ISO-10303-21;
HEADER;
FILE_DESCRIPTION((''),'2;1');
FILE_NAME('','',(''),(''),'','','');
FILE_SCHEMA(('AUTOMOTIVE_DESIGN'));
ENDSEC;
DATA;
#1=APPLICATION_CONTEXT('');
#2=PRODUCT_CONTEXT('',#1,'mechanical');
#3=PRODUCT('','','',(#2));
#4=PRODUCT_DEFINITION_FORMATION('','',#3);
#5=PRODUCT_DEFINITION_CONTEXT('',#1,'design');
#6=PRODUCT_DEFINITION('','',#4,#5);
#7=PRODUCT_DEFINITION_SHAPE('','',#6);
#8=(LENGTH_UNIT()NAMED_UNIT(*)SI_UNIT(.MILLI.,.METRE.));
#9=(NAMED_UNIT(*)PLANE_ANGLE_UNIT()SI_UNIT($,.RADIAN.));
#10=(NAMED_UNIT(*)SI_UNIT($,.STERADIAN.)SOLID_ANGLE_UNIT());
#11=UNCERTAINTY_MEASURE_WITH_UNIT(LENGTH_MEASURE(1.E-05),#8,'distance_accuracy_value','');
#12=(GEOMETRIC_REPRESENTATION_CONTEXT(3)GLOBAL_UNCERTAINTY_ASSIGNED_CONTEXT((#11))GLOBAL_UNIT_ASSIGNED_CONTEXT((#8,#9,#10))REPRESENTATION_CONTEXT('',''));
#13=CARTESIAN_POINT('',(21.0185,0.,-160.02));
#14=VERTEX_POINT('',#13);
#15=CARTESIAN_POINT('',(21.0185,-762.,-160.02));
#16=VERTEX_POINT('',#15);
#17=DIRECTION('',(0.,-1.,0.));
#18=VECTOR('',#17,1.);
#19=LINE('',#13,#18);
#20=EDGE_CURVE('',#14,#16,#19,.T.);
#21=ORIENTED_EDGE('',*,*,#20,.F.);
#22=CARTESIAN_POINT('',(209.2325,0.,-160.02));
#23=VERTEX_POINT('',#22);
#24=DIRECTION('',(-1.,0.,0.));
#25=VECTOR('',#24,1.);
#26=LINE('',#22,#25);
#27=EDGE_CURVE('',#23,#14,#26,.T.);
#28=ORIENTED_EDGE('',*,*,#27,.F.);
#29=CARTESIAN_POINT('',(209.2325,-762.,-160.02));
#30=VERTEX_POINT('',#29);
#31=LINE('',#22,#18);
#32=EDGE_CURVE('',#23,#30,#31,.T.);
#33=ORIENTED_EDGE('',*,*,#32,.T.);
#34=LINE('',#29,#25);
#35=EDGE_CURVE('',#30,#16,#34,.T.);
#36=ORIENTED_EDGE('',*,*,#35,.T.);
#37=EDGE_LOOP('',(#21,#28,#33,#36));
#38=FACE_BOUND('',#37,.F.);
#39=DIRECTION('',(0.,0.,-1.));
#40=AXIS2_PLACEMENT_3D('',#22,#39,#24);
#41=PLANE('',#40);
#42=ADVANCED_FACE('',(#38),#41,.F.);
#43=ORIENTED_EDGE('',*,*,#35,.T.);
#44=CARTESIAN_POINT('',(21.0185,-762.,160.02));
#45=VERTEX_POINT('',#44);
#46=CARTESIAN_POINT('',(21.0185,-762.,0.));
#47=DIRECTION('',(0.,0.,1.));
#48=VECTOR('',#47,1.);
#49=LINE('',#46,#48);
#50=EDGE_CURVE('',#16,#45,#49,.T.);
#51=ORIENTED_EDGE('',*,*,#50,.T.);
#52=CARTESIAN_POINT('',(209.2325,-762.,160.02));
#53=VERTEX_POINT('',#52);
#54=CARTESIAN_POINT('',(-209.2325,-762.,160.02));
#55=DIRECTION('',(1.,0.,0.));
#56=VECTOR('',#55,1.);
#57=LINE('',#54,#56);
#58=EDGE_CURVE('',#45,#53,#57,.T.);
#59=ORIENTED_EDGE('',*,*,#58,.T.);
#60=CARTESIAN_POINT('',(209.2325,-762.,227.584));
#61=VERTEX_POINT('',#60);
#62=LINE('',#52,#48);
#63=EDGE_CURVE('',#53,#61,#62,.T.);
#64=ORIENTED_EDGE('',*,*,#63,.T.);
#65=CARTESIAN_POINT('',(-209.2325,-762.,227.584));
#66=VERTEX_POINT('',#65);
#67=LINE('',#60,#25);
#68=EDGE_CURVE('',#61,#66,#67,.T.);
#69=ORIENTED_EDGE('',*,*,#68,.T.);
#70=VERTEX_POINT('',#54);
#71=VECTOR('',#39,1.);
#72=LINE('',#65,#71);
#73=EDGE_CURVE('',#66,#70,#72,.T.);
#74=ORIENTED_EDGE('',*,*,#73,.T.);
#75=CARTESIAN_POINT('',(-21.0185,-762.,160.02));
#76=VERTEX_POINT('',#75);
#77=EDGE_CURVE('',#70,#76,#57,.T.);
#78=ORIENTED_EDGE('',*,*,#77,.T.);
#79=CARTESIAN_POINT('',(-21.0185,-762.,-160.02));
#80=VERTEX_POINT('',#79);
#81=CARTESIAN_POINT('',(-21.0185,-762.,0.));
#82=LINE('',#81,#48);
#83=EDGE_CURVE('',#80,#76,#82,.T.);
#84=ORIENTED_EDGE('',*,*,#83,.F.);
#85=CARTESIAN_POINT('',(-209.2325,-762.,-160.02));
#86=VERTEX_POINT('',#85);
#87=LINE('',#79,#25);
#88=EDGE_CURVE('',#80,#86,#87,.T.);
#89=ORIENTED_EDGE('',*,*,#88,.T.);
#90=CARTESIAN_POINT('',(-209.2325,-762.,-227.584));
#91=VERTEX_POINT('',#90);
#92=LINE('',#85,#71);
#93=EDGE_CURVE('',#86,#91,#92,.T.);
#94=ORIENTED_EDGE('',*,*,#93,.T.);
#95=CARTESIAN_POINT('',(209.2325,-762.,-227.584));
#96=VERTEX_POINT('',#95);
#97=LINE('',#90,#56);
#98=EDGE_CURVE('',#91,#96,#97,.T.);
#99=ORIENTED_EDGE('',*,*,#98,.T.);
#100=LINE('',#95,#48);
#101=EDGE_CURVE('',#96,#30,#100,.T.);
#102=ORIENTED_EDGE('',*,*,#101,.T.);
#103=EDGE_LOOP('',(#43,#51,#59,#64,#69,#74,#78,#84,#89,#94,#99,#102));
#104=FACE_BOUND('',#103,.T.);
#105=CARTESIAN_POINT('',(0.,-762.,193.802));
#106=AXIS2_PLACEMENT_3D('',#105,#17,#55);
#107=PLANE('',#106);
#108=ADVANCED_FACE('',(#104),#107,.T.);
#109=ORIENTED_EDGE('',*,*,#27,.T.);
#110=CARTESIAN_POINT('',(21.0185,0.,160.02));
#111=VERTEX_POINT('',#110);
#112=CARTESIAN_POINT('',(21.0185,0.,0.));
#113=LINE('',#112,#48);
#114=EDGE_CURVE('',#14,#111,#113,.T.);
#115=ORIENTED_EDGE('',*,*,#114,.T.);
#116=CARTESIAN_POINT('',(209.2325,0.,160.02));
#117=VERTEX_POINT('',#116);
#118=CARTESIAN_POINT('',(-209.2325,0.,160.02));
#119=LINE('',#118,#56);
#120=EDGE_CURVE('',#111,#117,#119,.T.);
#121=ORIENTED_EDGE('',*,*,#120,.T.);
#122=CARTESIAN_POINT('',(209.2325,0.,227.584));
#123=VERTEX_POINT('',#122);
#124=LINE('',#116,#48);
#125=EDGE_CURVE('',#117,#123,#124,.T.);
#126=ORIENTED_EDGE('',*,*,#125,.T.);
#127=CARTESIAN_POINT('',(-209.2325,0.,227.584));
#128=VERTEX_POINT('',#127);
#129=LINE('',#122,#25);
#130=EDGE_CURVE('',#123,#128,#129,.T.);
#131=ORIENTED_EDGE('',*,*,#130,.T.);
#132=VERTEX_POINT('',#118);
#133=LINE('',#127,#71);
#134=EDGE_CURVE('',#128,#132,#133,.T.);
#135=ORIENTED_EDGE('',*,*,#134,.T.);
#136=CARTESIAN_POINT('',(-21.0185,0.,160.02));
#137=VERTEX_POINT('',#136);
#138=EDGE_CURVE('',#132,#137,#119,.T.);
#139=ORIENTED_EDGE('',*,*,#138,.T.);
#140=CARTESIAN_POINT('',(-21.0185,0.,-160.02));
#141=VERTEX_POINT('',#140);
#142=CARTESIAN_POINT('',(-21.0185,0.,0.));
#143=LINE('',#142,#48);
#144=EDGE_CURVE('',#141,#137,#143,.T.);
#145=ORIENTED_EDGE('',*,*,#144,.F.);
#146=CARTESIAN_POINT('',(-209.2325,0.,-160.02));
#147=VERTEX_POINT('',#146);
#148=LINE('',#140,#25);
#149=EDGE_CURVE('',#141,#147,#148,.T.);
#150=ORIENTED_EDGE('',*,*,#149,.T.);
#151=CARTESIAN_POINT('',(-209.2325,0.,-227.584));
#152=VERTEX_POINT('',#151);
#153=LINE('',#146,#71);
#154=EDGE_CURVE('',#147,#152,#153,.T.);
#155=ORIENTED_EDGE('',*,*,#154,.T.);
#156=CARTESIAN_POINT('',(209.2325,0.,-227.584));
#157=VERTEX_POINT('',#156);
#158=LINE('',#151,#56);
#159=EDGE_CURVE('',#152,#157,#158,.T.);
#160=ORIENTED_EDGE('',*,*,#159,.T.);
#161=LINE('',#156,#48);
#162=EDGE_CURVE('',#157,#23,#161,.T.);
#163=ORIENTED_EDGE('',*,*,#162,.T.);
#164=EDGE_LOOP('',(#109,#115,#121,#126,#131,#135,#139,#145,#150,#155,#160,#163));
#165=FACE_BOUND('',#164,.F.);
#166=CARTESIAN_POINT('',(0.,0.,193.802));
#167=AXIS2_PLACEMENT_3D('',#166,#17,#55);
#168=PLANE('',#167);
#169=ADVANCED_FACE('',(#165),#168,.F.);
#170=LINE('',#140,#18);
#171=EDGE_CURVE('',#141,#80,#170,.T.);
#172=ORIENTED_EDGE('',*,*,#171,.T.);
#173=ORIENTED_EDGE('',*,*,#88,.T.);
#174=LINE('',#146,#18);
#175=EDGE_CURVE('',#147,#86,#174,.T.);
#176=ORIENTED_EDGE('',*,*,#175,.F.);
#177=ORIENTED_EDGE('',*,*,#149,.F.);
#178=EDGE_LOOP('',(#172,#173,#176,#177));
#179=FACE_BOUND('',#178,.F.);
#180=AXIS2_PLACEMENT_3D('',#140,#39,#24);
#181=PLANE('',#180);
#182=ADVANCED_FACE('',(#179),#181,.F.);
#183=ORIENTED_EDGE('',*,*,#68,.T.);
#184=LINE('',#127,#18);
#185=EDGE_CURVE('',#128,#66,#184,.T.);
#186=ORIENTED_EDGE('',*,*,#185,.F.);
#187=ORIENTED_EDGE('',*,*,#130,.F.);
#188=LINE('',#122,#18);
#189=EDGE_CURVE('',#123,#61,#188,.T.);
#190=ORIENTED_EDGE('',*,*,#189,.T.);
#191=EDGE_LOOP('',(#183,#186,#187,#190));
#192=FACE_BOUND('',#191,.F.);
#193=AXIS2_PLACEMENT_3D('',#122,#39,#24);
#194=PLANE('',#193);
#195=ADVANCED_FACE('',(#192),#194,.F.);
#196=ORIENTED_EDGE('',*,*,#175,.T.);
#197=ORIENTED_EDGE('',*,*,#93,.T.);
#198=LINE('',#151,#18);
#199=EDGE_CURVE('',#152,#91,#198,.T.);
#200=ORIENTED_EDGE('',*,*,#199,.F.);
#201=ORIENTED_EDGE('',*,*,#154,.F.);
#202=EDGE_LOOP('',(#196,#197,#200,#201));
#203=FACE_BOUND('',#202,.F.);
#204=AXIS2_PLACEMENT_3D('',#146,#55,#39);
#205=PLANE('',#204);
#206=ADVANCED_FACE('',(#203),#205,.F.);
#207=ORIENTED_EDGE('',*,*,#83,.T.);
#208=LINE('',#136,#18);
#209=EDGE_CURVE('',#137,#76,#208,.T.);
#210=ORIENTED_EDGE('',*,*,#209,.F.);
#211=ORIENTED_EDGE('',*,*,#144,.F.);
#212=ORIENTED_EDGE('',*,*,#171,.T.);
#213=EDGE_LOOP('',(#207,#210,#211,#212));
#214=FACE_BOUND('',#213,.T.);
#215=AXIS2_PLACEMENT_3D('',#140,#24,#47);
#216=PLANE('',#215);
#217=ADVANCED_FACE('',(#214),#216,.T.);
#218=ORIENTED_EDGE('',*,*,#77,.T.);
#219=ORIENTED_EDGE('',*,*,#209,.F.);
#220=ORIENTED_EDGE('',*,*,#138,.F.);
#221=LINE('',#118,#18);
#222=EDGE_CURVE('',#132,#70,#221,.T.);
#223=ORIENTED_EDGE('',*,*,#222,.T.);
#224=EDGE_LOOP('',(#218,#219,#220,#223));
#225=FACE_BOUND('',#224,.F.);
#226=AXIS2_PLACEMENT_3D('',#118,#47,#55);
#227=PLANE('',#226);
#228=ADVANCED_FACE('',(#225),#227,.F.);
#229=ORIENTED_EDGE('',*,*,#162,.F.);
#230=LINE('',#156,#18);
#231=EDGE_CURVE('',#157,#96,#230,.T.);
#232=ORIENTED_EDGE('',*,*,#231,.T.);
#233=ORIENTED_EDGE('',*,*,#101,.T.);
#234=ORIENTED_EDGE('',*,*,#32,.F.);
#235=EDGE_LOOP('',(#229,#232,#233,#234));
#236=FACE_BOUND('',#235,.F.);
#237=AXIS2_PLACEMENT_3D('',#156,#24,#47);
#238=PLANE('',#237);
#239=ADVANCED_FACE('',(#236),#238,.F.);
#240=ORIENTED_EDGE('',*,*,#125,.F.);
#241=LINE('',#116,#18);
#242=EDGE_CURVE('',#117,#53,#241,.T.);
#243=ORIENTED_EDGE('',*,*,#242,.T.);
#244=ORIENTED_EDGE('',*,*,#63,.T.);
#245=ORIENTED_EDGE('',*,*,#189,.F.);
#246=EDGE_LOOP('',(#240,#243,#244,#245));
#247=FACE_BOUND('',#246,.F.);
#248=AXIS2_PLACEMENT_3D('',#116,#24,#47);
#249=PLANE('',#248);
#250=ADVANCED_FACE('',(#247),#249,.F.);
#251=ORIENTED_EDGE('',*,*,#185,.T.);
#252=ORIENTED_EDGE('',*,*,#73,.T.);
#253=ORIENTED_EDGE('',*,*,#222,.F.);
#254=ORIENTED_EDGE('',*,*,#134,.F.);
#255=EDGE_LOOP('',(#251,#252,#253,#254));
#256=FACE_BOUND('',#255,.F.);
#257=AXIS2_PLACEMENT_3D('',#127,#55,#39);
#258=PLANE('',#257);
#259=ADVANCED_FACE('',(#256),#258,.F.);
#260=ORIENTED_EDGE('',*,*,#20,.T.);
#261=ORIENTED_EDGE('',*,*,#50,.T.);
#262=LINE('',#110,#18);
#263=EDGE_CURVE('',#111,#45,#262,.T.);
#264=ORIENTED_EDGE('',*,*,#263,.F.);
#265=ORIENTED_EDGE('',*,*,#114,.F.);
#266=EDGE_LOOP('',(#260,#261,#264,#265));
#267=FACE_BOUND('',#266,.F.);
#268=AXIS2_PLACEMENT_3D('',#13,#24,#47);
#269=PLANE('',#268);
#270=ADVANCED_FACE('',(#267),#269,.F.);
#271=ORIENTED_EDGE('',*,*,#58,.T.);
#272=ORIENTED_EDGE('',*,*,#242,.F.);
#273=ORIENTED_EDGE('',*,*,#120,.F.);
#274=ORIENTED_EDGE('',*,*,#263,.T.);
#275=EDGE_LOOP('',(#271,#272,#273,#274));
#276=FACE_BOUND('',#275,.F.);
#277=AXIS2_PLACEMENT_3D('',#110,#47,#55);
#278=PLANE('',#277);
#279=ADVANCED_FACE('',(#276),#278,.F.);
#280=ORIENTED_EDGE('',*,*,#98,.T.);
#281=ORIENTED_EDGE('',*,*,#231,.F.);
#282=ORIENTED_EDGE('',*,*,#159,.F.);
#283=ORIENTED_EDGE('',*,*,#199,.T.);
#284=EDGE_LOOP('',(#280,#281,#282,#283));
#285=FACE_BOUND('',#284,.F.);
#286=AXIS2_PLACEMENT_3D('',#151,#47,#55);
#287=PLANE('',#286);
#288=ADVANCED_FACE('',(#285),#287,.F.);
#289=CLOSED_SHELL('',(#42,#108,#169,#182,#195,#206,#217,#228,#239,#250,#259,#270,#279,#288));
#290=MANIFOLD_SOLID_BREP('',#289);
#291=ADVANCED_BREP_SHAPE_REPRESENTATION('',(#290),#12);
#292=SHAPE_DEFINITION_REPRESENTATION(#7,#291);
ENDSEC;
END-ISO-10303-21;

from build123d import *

# Parameters (mm, degrees)
F0_W     = 42.037
F0_H     = 320.04
F1_DEPTH = 762


with BuildPart() as f1:
    # F0 (on Front) → F1 (new body)
    with BuildSketch(Plane.XZ):
        Polygon((-209.2325, 160.02), (-21.0185, 160.02), (21.0185, 160.02), (209.2325, 160.02), (209.2325, 227.584), (-209.2325, 227.584), align=None)
        Rectangle(F0_W, F0_H)
        Polygon((21.0185, -160.02), (-21.0185, -160.02), (-209.2325, -160.02), (-209.2325, -227.584), (209.2325, -227.584), (209.2325, -160.02), align=None)
    extrude(amount=F1_DEPTH)


solid = f1.part
